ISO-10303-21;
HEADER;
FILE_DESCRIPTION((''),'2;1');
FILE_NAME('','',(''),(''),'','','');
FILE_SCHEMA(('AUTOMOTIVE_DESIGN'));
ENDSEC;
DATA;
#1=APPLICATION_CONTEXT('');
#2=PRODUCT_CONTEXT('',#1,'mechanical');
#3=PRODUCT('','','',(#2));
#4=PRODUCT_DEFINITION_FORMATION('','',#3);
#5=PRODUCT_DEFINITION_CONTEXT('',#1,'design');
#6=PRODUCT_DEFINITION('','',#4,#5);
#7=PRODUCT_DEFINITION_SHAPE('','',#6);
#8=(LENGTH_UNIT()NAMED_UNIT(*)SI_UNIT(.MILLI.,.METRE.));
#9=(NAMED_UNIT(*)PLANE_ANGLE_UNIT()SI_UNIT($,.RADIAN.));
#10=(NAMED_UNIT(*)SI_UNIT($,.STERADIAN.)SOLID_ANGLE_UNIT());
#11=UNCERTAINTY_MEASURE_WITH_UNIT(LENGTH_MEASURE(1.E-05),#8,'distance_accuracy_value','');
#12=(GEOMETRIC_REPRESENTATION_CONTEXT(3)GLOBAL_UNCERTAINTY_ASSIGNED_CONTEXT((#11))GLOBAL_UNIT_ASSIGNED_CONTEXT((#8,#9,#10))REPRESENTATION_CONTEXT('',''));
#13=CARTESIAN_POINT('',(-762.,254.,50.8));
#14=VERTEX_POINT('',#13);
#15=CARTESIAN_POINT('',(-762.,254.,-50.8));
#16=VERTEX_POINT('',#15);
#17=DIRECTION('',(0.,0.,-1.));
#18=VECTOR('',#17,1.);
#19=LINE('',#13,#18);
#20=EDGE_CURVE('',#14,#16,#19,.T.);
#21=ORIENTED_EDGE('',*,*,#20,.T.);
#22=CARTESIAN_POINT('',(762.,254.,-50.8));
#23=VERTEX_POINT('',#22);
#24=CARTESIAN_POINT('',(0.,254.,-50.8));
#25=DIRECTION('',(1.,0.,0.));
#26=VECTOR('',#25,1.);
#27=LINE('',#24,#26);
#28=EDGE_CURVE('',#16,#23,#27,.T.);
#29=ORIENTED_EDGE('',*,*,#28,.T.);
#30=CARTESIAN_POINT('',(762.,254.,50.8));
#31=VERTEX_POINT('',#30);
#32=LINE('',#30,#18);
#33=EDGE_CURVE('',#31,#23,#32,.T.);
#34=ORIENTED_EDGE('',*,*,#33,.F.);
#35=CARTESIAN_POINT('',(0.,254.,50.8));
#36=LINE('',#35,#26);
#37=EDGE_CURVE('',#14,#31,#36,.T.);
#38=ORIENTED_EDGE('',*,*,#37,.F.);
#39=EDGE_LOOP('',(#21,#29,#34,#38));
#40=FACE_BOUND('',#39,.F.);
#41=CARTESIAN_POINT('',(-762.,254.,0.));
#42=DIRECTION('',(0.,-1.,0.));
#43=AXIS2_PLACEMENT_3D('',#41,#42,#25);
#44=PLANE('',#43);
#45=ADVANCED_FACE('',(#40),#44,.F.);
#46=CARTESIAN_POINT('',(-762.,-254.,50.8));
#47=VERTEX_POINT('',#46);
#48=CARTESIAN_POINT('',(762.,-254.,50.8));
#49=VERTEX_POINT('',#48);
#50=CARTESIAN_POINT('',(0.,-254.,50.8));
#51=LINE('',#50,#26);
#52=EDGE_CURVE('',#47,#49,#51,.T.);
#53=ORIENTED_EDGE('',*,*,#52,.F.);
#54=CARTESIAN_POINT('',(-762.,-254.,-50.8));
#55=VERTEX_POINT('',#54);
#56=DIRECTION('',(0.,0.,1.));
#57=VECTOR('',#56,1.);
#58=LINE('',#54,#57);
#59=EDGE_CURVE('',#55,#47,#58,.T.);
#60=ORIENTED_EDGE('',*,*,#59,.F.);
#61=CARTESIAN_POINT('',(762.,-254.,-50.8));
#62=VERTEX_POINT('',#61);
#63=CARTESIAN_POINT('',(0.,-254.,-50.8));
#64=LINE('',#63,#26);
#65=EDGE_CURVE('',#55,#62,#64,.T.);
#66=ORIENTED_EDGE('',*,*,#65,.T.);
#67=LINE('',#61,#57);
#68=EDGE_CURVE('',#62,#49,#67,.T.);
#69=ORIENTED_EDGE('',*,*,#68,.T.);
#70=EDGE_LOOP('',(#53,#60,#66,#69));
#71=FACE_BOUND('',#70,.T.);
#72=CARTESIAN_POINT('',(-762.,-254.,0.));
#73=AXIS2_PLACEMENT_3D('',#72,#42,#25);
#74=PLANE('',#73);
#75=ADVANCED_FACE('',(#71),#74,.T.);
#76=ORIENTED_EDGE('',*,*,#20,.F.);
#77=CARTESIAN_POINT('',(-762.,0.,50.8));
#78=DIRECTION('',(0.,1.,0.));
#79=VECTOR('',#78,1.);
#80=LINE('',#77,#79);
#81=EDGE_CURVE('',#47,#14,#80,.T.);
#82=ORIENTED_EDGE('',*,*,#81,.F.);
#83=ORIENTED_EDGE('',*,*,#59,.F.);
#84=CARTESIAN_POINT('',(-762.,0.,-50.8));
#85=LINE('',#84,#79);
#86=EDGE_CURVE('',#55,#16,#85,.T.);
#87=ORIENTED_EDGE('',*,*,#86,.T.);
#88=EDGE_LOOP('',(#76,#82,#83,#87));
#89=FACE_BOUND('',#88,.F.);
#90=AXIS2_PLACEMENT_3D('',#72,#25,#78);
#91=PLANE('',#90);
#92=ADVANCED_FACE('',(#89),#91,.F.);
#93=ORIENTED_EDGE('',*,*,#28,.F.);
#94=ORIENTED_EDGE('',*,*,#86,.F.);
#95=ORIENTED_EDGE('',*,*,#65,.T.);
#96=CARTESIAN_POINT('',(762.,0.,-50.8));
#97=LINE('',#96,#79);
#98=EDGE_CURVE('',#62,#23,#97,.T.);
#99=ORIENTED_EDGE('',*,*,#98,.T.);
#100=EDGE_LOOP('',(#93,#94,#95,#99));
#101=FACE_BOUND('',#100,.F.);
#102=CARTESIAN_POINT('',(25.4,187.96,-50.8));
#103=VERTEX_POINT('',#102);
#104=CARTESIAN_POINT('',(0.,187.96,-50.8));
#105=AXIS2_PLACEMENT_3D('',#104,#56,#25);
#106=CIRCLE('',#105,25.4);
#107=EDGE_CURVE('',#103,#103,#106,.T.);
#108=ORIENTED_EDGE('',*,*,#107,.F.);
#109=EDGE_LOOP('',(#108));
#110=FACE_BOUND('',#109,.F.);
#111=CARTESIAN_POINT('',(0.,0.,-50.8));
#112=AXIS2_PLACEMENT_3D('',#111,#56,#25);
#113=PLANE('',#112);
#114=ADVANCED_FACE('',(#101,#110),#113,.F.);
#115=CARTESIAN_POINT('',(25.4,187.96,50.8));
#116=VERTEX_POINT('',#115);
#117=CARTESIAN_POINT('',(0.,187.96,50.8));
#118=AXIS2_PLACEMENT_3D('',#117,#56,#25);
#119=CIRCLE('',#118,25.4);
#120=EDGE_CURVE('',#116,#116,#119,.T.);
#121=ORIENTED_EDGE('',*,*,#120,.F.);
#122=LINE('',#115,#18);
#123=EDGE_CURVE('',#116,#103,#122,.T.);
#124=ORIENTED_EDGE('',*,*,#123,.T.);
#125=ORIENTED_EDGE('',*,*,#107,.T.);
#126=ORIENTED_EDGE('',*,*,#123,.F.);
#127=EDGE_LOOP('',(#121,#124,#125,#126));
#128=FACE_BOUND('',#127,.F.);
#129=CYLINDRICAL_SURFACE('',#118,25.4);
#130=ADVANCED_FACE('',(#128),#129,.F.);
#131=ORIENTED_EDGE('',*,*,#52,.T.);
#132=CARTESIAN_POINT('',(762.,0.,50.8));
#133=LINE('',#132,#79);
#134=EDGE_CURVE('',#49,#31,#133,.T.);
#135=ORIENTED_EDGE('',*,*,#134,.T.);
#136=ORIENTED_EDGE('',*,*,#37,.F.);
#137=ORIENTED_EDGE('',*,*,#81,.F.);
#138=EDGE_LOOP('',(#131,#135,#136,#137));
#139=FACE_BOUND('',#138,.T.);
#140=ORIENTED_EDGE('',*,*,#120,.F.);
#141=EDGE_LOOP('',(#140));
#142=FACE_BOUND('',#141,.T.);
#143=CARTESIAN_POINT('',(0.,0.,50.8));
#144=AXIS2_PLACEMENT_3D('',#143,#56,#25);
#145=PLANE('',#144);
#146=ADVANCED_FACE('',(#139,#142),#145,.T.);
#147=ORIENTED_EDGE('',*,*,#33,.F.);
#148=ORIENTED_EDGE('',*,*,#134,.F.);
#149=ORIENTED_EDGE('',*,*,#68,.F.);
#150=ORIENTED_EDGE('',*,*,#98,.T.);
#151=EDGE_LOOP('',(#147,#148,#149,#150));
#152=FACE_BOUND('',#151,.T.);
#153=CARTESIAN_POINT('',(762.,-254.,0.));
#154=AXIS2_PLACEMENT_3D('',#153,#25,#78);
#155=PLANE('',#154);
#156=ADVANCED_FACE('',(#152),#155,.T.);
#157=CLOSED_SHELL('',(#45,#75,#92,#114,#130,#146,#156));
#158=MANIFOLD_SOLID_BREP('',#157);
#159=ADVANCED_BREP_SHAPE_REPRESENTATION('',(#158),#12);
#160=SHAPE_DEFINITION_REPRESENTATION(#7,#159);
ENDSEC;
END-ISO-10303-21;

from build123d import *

# Parameters (mm, degrees)
F0_W     = 1524
F0_H     = 508
F1_DEPTH = 50.8
F2_R     = 25.4
F3_DEPTH = 130.33518


with BuildPart() as f1:
    # F0 (on Top) → F1 (new body, symmetric)
    with BuildSketch(Plane.XY):
        Rectangle(F0_W, F0_H)
    extrude(amount=F1_DEPTH, both=True)

    # F2 (on face) → F3 (cut)
    with BuildSketch(Plane.XY.offset(50.8)):
        with Locations((0, 187.96)):
            Circle(F2_R)
    extrude(amount=-F3_DEPTH, mode=Mode.SUBTRACT)


solid = f1.part
